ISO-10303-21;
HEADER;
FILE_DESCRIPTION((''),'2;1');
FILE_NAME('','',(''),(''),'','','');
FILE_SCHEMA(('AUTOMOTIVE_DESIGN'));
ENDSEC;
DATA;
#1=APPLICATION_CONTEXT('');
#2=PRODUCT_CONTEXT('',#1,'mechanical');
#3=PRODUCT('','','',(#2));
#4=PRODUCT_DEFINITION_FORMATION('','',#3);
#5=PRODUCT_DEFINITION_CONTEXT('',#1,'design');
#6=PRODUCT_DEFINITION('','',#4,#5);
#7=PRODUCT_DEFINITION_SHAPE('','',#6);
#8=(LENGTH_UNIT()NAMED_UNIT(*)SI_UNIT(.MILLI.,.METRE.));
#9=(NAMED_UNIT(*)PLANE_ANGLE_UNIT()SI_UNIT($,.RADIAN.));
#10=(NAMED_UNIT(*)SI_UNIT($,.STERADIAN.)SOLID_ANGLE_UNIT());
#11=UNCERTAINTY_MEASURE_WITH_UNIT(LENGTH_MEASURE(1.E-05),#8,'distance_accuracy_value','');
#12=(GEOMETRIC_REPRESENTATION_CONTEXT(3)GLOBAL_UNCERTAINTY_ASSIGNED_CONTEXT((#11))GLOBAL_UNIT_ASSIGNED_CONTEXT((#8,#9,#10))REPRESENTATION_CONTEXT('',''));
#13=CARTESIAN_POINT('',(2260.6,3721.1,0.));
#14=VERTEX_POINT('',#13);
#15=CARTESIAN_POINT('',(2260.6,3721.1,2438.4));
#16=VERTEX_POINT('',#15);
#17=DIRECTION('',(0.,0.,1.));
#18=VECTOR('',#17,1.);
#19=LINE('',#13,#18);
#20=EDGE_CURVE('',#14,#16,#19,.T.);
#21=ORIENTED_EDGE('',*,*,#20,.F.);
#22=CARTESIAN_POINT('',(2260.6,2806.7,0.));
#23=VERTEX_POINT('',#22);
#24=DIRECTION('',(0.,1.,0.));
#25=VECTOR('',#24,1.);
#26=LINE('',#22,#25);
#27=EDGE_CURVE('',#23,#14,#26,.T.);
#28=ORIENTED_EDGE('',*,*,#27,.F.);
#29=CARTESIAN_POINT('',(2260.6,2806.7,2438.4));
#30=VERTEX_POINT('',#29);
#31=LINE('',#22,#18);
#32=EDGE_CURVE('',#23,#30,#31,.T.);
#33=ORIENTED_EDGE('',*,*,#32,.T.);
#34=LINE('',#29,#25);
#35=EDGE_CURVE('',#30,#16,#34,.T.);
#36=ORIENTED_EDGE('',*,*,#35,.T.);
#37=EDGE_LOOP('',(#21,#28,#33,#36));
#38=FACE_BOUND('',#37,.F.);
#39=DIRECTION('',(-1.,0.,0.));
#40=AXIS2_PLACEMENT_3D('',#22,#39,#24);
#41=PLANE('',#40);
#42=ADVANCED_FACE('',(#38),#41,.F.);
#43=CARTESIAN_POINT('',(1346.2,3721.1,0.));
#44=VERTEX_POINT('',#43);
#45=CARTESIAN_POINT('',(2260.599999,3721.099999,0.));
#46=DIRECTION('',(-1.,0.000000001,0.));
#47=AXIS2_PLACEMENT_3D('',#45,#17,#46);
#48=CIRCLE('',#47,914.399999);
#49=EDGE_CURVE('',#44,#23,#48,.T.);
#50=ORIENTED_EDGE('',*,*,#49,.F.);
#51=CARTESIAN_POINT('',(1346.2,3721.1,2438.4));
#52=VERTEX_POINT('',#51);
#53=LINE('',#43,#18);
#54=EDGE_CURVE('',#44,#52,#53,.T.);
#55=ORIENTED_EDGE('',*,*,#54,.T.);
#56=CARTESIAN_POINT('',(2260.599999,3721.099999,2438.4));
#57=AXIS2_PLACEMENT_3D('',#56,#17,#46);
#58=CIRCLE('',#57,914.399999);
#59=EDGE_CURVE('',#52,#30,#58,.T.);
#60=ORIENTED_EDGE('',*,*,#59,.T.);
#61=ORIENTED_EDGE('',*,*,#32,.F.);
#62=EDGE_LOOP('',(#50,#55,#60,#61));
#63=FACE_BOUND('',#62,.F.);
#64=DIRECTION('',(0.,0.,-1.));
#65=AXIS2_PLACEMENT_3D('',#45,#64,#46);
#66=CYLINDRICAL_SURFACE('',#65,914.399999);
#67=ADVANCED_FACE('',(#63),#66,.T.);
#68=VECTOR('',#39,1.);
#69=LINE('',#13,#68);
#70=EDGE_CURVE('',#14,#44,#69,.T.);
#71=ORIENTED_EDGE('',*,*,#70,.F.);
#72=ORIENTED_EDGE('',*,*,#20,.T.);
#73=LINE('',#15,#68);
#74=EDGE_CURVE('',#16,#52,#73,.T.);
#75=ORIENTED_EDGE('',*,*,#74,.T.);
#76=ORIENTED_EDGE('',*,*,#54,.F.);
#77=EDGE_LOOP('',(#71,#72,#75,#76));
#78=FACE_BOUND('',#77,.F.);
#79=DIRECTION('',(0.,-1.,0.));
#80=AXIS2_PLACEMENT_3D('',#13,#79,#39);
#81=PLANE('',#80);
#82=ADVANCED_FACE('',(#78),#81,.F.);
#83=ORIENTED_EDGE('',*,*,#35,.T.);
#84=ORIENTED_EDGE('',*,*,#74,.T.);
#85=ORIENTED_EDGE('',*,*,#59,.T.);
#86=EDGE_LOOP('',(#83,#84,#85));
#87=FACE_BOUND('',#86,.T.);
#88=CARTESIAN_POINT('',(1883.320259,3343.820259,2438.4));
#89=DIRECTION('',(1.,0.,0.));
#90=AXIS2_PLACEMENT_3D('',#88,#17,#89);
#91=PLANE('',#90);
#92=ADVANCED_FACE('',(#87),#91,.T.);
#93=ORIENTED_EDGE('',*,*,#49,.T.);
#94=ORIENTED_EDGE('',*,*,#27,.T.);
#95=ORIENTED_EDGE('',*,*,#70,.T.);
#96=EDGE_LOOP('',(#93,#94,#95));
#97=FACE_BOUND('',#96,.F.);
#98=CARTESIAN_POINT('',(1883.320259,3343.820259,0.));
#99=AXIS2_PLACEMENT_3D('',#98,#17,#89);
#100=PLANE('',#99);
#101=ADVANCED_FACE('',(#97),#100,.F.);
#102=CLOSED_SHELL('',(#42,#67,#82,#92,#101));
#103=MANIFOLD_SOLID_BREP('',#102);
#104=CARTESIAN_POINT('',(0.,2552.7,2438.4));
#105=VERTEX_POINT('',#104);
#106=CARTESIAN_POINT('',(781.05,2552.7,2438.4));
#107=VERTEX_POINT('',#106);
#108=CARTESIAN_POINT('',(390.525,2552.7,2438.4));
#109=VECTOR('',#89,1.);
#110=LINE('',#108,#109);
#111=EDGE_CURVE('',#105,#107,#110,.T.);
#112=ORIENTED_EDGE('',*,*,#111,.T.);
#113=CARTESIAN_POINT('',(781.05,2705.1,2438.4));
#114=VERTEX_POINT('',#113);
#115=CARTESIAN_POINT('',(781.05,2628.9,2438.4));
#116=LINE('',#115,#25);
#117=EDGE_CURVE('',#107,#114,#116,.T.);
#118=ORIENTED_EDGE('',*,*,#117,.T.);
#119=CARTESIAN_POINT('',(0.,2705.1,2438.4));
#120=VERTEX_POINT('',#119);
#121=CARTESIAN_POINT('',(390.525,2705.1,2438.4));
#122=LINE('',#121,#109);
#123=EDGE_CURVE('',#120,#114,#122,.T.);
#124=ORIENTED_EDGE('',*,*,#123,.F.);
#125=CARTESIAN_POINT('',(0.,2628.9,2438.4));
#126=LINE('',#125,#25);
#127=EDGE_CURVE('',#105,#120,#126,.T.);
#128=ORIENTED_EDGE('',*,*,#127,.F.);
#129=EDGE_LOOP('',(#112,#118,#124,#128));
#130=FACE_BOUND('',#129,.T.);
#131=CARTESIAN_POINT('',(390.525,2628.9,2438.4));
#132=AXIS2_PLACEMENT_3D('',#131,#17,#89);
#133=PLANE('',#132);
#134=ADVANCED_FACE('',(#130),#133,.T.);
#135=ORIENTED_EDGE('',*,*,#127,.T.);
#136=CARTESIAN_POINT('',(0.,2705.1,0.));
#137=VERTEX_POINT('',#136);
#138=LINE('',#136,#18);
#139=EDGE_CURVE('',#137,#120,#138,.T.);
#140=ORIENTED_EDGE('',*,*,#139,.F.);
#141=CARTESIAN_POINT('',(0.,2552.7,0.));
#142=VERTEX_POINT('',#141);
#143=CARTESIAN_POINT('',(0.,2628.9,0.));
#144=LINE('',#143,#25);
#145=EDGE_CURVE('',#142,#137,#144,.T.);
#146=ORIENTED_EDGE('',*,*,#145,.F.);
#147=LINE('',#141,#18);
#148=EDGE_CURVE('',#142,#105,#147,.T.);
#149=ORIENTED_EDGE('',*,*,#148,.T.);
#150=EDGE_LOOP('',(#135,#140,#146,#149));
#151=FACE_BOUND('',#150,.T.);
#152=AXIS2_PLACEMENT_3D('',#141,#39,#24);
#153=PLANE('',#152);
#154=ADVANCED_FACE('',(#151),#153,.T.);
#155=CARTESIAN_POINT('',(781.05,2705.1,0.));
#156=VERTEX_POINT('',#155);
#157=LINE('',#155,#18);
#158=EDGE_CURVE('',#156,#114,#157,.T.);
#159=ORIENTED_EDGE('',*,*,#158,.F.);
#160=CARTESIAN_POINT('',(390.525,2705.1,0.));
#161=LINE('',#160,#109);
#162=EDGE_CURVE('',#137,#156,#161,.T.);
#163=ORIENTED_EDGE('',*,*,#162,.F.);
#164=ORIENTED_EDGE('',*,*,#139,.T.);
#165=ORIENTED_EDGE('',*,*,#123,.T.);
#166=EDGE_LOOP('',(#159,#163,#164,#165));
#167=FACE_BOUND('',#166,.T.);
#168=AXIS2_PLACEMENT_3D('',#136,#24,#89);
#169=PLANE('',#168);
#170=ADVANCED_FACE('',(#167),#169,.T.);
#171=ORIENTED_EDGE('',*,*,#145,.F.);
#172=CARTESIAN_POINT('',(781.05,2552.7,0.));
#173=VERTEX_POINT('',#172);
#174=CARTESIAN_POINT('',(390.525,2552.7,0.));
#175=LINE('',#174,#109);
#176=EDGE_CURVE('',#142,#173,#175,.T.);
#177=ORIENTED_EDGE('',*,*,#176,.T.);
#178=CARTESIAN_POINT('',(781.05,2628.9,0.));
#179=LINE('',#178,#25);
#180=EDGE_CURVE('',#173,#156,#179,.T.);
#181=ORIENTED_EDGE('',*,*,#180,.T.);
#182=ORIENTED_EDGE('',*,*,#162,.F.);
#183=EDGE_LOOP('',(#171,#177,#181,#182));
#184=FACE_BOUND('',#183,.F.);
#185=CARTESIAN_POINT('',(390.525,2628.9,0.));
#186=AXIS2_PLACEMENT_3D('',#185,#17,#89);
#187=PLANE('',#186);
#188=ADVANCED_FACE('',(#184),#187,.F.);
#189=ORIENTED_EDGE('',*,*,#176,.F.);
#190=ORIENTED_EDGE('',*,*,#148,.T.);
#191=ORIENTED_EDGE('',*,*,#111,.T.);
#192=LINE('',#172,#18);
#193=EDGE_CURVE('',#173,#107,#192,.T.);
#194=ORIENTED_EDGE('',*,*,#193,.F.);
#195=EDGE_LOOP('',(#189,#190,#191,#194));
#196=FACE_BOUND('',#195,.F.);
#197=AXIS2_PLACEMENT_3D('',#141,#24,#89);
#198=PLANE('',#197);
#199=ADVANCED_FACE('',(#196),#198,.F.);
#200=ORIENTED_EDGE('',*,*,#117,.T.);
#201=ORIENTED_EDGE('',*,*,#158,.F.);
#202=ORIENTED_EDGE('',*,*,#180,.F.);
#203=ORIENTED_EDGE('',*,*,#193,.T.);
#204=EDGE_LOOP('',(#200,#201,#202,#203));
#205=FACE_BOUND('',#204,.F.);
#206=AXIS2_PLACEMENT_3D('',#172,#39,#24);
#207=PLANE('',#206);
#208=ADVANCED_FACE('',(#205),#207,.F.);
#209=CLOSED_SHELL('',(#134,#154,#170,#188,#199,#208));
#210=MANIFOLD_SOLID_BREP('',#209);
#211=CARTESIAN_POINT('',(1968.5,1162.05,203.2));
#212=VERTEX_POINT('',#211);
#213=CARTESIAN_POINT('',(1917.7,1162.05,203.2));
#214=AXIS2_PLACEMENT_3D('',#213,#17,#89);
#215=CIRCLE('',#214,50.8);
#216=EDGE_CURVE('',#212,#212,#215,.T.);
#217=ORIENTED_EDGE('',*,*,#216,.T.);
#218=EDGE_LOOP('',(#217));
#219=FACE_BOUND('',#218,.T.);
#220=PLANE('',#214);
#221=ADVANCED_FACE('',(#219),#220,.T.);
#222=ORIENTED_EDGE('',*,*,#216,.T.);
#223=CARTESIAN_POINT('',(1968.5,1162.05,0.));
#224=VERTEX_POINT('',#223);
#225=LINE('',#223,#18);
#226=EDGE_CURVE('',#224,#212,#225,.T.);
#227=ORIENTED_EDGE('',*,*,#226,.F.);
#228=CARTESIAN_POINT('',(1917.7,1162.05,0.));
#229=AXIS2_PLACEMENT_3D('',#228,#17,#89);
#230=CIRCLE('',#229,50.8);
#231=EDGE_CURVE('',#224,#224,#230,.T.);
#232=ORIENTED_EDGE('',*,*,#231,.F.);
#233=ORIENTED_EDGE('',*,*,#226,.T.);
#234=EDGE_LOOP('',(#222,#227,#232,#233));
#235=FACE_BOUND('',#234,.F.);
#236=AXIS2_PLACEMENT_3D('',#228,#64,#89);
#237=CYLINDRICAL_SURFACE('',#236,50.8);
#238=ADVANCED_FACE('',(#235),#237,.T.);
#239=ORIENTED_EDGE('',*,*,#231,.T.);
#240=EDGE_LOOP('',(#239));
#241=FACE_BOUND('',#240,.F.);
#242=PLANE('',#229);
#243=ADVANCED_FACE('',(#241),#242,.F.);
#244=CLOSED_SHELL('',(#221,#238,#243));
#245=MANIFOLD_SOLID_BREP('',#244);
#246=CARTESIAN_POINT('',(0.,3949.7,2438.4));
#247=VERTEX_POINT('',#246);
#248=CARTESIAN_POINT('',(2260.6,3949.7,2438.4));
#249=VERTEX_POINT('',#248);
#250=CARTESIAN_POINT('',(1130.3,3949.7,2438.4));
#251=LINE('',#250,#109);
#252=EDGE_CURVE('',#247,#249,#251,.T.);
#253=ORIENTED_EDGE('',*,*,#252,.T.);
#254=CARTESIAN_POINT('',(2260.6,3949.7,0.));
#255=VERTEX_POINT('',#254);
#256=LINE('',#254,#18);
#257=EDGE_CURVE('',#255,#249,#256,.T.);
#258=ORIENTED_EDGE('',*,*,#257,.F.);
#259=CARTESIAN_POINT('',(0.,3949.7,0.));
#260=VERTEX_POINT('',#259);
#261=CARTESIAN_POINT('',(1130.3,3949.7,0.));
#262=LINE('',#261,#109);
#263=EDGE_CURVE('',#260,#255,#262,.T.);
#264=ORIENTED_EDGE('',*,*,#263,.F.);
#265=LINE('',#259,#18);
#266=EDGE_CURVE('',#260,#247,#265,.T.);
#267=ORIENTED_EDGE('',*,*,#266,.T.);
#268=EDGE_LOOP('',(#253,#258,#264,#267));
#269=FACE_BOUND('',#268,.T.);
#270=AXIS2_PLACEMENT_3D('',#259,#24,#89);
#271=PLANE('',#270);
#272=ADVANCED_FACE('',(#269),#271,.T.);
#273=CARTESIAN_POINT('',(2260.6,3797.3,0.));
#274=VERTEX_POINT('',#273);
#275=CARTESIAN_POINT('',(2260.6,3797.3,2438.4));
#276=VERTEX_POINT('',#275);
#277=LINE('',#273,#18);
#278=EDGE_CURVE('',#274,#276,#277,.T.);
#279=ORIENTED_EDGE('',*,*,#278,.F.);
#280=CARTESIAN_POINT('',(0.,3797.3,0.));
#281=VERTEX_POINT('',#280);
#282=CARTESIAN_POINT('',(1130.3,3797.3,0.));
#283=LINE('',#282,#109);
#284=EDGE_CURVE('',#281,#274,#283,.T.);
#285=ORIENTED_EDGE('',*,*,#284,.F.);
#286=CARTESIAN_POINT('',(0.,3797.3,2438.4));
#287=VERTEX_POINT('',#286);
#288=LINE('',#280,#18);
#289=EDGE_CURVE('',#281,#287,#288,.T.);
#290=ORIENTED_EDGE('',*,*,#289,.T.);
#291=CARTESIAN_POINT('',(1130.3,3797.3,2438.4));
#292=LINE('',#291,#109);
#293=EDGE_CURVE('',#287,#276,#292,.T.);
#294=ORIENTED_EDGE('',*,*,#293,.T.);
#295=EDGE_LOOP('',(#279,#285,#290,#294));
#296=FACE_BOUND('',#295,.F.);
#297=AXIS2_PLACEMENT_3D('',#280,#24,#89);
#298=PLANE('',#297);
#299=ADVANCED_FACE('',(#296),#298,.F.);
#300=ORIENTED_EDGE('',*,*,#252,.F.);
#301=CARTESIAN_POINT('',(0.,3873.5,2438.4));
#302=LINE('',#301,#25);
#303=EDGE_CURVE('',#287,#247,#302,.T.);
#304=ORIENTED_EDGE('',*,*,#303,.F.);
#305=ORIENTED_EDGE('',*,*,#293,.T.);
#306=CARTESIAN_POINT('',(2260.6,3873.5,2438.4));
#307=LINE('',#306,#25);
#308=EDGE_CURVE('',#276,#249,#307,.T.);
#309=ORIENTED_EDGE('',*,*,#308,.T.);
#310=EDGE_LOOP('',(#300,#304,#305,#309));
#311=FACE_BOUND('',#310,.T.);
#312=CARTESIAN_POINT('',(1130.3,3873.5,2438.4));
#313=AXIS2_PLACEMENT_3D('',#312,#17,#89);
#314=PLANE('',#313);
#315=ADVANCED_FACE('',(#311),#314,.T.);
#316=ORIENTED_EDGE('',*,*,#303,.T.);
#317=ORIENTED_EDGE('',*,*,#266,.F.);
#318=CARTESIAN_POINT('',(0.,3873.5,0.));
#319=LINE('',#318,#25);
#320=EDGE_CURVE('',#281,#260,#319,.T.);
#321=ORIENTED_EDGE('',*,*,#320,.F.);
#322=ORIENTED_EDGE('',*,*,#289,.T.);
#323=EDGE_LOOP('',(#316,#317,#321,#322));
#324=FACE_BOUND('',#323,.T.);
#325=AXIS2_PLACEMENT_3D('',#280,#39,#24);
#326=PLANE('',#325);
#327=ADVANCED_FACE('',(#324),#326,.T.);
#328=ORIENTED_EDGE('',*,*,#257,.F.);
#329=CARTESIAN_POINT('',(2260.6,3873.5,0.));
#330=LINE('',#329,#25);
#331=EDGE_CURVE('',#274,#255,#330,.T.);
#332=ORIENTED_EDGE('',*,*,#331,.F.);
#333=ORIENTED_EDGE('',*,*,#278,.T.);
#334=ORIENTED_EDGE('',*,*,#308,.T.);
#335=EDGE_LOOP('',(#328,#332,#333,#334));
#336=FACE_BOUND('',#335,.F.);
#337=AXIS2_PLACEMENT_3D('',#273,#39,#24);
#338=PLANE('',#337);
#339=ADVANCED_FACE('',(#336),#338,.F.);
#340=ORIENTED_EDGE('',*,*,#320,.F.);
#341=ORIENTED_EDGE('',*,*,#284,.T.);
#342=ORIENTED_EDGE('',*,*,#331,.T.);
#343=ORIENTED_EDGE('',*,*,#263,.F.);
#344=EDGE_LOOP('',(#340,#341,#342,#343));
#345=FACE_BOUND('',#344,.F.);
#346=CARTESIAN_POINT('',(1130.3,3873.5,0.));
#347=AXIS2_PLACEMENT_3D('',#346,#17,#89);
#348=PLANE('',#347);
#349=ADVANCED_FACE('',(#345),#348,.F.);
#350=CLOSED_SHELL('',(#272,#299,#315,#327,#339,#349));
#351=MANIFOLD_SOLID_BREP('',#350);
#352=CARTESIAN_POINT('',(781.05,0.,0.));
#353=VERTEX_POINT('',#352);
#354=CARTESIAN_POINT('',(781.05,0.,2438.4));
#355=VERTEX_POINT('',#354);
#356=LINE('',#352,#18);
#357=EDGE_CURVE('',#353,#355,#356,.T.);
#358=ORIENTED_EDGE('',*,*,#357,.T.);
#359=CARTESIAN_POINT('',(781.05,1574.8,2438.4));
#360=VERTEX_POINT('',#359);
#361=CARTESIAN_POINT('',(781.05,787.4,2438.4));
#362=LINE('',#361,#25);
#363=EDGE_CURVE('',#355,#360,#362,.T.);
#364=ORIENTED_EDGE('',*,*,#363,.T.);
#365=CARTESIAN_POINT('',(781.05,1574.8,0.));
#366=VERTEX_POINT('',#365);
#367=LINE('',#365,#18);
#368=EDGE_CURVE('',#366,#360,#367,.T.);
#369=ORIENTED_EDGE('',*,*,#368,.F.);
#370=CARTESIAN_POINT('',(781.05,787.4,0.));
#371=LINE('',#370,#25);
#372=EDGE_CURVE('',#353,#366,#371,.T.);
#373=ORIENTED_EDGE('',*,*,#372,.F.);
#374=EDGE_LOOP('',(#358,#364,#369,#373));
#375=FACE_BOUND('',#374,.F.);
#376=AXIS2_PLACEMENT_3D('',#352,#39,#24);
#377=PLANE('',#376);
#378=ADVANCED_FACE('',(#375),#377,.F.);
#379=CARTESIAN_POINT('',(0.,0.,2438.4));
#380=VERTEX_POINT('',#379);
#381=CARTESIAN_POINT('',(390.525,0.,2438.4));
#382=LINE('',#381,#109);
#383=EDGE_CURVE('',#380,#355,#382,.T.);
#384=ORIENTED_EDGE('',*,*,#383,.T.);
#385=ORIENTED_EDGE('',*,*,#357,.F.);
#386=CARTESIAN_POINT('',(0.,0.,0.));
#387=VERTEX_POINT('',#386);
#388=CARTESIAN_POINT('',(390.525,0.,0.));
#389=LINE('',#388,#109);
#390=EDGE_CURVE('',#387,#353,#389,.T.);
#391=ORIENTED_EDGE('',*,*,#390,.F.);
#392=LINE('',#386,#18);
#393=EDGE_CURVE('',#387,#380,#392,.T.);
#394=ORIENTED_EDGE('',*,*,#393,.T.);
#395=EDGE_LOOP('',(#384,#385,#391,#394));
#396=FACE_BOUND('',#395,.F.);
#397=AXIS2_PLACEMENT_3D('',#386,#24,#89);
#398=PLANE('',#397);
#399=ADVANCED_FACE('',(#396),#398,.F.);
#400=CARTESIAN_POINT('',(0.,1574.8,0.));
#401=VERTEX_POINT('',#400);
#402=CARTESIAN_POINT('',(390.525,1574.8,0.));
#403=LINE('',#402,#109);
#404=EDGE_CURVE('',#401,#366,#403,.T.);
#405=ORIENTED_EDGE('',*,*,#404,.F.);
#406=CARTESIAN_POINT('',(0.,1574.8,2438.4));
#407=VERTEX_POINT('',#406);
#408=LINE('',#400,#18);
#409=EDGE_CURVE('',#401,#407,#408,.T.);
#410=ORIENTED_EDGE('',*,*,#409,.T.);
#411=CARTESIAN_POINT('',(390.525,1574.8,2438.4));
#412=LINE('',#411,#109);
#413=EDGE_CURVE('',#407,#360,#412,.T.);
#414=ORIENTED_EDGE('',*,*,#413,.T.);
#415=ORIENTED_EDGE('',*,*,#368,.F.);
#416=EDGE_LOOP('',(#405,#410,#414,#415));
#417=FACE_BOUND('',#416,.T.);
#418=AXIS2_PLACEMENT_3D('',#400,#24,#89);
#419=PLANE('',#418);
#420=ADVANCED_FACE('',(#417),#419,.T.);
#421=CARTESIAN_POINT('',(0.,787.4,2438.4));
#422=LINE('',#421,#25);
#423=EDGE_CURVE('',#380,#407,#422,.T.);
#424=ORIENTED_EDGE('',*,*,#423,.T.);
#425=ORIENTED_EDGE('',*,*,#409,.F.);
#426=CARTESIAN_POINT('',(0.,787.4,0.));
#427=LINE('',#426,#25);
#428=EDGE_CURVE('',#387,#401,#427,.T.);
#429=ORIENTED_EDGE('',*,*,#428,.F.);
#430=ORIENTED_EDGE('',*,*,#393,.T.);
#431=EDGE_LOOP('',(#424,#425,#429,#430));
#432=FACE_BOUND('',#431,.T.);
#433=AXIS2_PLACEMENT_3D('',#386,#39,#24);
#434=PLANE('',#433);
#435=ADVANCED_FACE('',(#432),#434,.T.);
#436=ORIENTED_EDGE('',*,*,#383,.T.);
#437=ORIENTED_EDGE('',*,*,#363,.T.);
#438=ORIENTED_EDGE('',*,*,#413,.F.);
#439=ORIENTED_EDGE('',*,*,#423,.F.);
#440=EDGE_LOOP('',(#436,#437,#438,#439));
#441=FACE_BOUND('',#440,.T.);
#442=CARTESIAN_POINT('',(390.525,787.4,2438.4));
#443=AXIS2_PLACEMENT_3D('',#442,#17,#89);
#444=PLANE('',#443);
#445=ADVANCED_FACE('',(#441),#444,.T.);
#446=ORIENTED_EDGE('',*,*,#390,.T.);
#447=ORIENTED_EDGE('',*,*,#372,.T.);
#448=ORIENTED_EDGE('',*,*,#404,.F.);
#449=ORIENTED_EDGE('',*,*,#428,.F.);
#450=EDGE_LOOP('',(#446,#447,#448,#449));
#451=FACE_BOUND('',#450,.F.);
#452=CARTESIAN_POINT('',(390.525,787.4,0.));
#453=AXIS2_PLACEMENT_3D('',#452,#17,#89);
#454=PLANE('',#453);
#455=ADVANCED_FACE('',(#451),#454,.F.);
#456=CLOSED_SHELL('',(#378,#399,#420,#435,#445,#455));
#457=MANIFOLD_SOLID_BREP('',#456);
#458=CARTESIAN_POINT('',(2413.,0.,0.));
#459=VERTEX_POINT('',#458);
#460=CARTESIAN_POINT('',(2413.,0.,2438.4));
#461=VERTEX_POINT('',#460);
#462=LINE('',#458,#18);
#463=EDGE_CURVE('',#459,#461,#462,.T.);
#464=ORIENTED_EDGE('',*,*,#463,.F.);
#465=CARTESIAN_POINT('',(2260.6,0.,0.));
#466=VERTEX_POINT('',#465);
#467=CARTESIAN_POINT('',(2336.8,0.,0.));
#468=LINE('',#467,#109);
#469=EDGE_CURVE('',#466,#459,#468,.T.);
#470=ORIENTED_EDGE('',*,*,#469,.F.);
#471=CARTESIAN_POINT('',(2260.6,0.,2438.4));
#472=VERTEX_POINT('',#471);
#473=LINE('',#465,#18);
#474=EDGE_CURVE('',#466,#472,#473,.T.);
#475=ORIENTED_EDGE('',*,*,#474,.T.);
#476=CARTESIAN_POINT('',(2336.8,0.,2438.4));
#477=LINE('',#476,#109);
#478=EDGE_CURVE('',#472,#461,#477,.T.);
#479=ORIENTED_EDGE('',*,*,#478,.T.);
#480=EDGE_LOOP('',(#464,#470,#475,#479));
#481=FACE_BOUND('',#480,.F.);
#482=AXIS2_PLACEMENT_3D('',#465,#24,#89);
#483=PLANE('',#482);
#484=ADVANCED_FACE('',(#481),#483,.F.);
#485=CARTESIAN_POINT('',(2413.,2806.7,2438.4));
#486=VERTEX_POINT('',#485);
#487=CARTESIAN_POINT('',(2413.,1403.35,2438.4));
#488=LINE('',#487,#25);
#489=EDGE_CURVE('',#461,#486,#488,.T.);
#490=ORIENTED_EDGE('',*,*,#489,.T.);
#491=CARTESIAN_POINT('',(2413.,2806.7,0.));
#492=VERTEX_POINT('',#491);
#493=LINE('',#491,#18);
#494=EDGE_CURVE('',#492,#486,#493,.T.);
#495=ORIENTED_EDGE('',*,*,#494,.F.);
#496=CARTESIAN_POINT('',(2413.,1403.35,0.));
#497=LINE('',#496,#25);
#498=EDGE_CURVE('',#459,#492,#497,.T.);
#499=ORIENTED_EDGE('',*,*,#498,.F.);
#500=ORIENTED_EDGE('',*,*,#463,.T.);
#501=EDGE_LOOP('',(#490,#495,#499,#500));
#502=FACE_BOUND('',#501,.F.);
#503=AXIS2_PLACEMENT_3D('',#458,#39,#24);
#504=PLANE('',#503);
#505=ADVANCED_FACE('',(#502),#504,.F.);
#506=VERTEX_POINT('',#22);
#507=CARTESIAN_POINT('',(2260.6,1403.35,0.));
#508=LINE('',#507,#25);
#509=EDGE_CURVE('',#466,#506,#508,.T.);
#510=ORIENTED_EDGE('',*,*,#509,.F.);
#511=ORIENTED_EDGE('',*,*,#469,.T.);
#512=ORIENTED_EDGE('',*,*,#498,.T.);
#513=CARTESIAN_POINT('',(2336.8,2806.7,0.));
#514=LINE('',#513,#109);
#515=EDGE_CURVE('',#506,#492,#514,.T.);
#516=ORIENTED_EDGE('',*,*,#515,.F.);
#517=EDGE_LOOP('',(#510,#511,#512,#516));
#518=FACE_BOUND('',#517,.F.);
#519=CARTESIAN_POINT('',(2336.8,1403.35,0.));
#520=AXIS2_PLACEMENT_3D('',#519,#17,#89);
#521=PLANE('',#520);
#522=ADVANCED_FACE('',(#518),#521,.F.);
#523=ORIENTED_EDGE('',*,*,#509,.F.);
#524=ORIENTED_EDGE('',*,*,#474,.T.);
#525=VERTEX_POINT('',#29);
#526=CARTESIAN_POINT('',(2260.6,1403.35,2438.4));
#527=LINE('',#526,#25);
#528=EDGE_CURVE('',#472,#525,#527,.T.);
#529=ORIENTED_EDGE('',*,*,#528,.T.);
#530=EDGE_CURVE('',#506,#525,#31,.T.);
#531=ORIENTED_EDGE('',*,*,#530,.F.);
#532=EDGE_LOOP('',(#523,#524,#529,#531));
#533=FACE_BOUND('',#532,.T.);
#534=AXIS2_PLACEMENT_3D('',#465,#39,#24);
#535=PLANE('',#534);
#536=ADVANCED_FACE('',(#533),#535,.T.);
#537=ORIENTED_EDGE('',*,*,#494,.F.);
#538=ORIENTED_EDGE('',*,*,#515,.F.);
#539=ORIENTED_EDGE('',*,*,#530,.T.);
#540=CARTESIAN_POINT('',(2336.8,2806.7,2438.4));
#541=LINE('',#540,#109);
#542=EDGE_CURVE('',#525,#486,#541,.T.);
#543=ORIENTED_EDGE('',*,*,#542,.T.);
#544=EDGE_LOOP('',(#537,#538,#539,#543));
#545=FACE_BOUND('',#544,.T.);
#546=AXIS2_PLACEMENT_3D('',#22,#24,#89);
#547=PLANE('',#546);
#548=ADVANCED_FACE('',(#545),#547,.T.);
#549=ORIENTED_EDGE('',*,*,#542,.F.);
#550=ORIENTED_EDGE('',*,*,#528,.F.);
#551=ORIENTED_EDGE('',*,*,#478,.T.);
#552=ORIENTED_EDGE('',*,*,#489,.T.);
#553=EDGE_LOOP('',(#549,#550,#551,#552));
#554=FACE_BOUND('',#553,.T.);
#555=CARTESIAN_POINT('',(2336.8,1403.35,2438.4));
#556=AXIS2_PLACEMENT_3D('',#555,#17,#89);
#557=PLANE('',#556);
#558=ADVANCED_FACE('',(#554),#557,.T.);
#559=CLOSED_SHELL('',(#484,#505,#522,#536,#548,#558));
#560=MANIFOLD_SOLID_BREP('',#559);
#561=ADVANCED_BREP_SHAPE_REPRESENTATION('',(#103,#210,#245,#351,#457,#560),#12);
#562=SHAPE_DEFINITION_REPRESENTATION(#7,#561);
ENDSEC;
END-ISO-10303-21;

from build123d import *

# Parameters (mm, degrees)
F0_W     = 781.05
F0_H     = 152.4
F0_H_2   = 1574.8
F0_W_2   = 152.4
F0_H_3   = 2806.7
F0_W_3   = 2260.6
F2_DEPTH = 2438.4
F1_R     = 50.8
F3_DEPTH = 203.2


with BuildPart() as f2:
    # F0 (on Top) → F2 (new body)
    with BuildSketch(Plane.XY):
        with Locations((390.525, 2628.9)):
            Rectangle(F0_W, F0_H)
        with Locations((390.525, 787.4)):
            Rectangle(F0_W, F0_H_2)
        with BuildLine():
            ThreePointArc((1346.2, 3721.1), (1614.021559, 3074.521559), (2260.6, 2806.7))
            Line((2260.6, 2806.7), (2260.6, 3721.1))
            Line((2260.6, 3721.1), (1346.2, 3721.1))
        make_face()
        with Locations((2336.8, 1403.35)):
            Rectangle(F0_W_2, F0_H_3)
        with Locations((1130.3, 3873.5)):
            Rectangle(F0_W_3, F0_H)
    extrude(amount=F2_DEPTH)


with BuildPart() as f3:
    # F1 (on face) → F3 (new body)
    with BuildSketch(Plane.XY):
        with Locations((1917.7, 1162.05)):
            Circle(F1_R)
    extrude(amount=F3_DEPTH)


solid = Compound([f2.part, f3.part])
